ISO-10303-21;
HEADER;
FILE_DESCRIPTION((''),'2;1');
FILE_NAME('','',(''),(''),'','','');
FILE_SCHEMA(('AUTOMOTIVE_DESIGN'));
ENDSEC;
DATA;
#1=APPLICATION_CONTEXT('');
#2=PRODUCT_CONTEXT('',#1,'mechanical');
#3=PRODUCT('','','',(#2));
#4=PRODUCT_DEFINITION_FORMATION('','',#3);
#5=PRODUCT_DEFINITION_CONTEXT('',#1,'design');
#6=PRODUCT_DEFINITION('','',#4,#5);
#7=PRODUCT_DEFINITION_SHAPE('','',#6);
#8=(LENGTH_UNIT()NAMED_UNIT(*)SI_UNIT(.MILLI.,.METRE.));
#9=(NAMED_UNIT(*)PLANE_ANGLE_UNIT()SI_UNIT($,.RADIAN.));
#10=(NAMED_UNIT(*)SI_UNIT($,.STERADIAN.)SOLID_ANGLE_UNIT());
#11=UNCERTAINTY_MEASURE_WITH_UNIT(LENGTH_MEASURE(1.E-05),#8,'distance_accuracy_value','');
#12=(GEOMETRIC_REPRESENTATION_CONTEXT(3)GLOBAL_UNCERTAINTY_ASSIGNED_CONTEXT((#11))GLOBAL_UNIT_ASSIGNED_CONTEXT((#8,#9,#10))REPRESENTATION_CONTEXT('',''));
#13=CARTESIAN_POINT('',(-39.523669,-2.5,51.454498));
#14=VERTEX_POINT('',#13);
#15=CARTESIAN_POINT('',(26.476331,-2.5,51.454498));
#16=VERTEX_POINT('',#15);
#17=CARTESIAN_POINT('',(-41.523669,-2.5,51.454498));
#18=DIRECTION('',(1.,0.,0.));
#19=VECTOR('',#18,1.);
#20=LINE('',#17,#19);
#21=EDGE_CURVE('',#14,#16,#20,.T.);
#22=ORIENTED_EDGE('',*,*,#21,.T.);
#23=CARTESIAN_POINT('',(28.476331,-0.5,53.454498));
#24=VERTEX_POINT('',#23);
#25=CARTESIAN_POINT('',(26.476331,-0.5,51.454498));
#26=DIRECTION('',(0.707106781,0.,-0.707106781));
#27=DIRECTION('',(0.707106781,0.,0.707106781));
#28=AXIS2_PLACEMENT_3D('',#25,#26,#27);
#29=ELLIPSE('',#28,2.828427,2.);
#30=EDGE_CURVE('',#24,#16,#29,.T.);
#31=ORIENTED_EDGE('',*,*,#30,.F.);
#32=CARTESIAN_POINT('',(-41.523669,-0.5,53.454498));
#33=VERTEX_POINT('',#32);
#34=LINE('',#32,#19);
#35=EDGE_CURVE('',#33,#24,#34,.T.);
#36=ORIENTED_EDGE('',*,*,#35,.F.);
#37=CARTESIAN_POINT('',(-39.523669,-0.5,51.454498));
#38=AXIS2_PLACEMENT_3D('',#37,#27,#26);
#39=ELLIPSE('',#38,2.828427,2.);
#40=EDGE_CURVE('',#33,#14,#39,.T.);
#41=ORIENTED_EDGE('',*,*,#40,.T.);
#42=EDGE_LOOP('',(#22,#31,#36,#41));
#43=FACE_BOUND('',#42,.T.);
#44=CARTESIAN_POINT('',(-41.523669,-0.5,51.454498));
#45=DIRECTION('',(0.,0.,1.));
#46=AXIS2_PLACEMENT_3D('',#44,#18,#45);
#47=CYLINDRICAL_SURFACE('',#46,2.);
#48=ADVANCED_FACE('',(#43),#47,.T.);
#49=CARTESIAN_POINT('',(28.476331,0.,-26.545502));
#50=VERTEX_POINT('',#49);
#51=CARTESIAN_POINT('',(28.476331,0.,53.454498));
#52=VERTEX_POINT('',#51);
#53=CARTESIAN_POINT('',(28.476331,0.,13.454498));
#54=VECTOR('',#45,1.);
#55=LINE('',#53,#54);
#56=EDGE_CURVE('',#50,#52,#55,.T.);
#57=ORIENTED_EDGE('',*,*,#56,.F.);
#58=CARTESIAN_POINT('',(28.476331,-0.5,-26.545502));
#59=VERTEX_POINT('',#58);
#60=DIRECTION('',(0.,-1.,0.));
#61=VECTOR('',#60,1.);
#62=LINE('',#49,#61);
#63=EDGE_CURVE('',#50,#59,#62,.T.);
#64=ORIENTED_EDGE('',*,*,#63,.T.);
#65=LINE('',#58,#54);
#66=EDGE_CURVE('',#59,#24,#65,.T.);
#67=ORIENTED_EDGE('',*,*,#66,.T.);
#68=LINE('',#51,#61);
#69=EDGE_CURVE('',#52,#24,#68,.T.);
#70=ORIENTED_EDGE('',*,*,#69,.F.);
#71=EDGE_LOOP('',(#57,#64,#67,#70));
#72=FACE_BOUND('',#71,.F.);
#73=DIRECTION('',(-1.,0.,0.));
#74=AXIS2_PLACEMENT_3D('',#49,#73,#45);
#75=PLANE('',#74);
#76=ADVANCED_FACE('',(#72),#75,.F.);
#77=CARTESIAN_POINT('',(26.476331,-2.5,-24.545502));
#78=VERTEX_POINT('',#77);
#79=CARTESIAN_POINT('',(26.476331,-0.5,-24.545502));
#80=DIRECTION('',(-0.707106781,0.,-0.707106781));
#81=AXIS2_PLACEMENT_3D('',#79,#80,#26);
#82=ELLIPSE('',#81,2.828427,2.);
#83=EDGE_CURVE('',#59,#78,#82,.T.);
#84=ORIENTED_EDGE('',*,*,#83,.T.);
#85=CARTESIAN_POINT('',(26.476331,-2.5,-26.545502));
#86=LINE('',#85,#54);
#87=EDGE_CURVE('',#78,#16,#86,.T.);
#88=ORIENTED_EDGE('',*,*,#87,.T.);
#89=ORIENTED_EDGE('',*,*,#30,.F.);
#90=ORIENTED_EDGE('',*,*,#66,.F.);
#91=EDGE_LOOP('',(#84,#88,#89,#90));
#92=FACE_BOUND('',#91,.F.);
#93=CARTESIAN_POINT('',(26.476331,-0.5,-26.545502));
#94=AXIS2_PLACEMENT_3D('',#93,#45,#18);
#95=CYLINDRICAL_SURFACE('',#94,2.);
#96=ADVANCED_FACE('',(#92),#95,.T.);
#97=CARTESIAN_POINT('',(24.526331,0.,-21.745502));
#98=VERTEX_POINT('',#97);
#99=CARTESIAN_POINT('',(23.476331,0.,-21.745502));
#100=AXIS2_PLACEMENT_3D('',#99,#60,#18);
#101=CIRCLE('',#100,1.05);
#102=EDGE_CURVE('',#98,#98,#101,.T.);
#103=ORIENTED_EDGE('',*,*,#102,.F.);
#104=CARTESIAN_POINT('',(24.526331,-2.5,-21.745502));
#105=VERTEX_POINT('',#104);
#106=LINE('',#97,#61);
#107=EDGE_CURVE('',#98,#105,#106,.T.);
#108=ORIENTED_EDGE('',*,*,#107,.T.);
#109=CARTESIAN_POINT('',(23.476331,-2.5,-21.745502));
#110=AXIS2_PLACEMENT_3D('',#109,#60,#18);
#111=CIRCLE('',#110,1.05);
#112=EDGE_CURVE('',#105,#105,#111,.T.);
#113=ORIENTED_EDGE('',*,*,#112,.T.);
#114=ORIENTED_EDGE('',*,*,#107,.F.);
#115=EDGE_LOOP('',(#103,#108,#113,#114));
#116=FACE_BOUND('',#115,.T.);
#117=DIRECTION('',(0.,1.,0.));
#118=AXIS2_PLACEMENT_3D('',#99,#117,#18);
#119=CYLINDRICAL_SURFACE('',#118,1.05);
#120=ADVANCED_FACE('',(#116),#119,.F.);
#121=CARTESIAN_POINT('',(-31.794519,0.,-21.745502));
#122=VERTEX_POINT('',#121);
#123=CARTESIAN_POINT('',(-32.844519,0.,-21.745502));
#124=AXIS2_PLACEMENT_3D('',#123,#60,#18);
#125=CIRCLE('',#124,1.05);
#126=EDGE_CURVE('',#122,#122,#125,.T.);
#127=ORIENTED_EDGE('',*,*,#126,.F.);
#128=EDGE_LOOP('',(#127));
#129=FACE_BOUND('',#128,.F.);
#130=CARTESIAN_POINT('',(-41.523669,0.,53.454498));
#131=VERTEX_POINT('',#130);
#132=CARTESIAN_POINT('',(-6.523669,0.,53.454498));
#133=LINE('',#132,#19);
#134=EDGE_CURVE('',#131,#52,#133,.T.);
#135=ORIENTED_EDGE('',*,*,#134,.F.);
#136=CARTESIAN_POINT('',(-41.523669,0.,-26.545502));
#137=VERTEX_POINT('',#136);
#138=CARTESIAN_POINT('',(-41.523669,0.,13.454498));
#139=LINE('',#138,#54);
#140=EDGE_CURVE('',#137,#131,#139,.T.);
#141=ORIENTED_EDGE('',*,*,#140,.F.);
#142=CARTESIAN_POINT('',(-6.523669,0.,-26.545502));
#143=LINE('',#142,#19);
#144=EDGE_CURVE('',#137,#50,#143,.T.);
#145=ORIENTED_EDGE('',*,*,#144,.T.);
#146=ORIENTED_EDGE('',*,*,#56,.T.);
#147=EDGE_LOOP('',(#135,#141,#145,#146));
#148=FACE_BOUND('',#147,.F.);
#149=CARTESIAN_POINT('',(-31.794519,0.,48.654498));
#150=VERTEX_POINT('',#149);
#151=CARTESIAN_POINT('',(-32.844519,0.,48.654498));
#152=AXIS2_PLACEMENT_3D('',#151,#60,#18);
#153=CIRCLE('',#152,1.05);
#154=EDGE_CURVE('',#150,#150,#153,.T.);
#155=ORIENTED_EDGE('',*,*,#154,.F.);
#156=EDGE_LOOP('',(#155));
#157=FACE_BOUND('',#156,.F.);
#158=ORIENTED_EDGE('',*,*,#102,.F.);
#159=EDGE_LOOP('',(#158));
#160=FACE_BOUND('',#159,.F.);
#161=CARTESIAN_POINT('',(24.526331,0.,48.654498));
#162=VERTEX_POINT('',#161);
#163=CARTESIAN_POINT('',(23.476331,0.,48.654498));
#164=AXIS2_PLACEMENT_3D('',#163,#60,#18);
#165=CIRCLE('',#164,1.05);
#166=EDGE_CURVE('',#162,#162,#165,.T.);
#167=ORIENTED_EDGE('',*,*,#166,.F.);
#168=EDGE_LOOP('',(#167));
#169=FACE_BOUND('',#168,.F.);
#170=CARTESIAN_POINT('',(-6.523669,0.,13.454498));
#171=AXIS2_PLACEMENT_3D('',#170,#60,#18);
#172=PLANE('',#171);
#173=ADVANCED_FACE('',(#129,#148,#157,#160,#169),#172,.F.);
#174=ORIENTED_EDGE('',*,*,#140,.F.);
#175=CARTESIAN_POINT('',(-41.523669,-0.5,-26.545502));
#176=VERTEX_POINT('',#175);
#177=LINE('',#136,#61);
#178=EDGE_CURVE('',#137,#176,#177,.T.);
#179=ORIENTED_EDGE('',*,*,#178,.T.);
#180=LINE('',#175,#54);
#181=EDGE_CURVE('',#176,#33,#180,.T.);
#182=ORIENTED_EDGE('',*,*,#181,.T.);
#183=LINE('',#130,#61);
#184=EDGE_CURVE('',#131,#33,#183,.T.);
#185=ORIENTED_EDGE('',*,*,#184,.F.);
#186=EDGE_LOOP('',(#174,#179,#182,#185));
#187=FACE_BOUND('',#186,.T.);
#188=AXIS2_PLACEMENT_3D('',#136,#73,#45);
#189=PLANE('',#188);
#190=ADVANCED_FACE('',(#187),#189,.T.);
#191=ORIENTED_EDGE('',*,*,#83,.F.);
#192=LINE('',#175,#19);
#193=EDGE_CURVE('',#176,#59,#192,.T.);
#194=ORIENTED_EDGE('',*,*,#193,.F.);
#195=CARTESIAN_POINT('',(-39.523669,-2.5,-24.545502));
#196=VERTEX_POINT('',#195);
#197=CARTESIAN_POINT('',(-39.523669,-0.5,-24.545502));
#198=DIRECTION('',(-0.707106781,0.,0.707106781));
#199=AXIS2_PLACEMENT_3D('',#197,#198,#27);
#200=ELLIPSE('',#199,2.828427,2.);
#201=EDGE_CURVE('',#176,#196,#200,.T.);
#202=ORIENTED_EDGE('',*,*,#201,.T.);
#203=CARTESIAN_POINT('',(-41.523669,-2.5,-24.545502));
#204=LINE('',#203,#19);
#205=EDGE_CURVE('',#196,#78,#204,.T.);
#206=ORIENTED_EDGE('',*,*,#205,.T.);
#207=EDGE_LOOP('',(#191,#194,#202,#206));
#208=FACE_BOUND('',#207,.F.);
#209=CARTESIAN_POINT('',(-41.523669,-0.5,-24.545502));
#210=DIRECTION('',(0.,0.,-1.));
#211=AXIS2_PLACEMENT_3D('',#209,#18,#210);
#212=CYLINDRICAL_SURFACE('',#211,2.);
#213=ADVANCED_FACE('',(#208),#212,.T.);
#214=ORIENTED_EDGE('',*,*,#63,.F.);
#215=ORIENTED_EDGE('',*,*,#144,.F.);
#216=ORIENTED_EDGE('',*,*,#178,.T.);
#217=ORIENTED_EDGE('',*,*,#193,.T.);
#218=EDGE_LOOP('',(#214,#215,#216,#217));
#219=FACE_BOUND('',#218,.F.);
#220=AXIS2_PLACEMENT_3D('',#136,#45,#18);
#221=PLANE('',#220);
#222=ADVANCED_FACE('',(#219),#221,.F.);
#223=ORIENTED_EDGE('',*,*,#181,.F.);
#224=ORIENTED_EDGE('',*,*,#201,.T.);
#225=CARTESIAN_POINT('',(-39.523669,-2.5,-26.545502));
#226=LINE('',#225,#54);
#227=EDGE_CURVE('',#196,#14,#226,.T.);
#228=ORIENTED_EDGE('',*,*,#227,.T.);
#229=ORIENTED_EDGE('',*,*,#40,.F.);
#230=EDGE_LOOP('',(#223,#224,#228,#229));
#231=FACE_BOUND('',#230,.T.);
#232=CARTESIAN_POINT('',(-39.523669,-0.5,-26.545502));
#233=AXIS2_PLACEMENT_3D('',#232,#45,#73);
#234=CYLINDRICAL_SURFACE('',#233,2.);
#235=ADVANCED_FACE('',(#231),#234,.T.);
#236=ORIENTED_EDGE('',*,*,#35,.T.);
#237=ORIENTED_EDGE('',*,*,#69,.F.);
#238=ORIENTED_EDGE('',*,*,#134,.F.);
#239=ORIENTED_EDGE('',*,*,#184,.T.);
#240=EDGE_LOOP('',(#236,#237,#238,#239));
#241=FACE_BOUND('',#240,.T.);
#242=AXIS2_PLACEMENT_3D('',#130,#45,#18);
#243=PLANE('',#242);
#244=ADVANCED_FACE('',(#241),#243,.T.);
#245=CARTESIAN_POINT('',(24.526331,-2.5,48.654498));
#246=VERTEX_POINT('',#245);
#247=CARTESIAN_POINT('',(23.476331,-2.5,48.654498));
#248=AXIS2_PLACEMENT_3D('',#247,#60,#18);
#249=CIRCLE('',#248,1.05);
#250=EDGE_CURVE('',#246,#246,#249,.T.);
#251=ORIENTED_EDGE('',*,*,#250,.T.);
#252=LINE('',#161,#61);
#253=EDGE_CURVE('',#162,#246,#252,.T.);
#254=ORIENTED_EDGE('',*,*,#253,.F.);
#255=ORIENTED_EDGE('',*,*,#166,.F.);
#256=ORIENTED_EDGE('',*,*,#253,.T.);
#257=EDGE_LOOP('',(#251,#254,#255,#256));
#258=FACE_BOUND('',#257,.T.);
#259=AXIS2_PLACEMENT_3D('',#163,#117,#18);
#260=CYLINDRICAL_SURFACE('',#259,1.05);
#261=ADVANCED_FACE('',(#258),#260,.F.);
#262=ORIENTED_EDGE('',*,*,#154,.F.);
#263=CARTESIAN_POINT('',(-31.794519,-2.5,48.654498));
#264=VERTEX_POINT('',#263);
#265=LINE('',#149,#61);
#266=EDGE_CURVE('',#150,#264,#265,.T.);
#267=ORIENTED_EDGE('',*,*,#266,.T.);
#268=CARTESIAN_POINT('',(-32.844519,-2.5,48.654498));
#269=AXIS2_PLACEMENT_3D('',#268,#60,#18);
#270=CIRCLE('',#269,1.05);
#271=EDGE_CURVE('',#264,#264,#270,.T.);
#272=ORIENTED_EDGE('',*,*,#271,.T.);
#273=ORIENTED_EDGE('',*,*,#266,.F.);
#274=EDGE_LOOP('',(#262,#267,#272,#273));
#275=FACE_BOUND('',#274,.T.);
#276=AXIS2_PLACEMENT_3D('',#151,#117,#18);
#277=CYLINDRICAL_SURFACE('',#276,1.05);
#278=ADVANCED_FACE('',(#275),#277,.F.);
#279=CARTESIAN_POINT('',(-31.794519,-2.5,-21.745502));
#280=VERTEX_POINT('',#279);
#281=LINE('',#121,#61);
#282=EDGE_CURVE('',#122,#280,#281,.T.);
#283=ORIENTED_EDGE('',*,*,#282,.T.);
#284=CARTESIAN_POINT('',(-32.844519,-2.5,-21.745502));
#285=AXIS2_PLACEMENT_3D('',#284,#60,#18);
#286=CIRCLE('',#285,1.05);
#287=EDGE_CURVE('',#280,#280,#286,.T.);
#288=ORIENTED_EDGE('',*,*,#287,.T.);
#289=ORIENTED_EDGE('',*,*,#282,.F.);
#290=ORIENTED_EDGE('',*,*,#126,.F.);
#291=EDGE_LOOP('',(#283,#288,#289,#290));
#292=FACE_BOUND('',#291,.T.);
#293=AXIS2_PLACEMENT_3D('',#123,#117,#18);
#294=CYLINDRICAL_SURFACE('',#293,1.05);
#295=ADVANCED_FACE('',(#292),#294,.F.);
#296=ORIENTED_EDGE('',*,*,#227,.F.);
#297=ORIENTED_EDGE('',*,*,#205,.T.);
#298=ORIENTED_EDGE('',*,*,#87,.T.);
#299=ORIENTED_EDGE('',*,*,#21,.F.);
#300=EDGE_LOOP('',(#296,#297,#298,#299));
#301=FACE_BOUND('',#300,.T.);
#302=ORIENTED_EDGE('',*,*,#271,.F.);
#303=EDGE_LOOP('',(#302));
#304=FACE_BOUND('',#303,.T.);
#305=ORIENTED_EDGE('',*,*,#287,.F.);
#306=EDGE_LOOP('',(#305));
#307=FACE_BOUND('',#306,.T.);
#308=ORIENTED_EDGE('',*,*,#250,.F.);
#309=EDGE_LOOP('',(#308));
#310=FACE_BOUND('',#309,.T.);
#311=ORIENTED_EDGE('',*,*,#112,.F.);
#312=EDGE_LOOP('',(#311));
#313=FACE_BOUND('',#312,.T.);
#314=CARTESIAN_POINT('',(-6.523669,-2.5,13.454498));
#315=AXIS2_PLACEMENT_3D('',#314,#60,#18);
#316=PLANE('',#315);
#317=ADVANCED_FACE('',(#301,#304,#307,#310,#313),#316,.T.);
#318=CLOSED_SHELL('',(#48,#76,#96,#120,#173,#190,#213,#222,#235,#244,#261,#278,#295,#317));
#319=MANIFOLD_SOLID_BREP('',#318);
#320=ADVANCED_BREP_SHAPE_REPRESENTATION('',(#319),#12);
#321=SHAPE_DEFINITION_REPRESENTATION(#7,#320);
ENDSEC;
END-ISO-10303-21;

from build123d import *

# Parameters (mm, degrees)
F0_W     = 70
F0_H     = 80
F0_R     = 1.05
F1_DEPTH = 2.5
F2_R     = 2


with BuildPart() as f1:
    # F0 (on Front) → F1 (new body)
    with BuildSketch(Plane.XZ):
        with Locations((-6.523669, 13.454498)):
            Rectangle(F0_W, F0_H)
        with Locations((-32.844519, -21.745502)):
            Circle(F0_R, mode=Mode.SUBTRACT)
        with Locations((23.476331, -21.745502)):
            Circle(F0_R, mode=Mode.SUBTRACT)
        with Locations((-32.844519, 48.654498)):
            Circle(F0_R, mode=Mode.SUBTRACT)
        with Locations((23.476331, 48.654498)):
            Circle(F0_R, mode=Mode.SUBTRACT)
    extrude(amount=F1_DEPTH)

    # F2
    f2_edges = [f1.edges().sort_by_distance(p)[0] for p in [
        (-6.523669, -2.5, 53.454498),
        (-41.523669, -2.5, 13.454498),
        (-6.523669, -2.5, -26.545502),
        (28.476331, -2.5, 13.454498),
    ]]
    fillet(f2_edges, radius=F2_R)


solid = f1.part
